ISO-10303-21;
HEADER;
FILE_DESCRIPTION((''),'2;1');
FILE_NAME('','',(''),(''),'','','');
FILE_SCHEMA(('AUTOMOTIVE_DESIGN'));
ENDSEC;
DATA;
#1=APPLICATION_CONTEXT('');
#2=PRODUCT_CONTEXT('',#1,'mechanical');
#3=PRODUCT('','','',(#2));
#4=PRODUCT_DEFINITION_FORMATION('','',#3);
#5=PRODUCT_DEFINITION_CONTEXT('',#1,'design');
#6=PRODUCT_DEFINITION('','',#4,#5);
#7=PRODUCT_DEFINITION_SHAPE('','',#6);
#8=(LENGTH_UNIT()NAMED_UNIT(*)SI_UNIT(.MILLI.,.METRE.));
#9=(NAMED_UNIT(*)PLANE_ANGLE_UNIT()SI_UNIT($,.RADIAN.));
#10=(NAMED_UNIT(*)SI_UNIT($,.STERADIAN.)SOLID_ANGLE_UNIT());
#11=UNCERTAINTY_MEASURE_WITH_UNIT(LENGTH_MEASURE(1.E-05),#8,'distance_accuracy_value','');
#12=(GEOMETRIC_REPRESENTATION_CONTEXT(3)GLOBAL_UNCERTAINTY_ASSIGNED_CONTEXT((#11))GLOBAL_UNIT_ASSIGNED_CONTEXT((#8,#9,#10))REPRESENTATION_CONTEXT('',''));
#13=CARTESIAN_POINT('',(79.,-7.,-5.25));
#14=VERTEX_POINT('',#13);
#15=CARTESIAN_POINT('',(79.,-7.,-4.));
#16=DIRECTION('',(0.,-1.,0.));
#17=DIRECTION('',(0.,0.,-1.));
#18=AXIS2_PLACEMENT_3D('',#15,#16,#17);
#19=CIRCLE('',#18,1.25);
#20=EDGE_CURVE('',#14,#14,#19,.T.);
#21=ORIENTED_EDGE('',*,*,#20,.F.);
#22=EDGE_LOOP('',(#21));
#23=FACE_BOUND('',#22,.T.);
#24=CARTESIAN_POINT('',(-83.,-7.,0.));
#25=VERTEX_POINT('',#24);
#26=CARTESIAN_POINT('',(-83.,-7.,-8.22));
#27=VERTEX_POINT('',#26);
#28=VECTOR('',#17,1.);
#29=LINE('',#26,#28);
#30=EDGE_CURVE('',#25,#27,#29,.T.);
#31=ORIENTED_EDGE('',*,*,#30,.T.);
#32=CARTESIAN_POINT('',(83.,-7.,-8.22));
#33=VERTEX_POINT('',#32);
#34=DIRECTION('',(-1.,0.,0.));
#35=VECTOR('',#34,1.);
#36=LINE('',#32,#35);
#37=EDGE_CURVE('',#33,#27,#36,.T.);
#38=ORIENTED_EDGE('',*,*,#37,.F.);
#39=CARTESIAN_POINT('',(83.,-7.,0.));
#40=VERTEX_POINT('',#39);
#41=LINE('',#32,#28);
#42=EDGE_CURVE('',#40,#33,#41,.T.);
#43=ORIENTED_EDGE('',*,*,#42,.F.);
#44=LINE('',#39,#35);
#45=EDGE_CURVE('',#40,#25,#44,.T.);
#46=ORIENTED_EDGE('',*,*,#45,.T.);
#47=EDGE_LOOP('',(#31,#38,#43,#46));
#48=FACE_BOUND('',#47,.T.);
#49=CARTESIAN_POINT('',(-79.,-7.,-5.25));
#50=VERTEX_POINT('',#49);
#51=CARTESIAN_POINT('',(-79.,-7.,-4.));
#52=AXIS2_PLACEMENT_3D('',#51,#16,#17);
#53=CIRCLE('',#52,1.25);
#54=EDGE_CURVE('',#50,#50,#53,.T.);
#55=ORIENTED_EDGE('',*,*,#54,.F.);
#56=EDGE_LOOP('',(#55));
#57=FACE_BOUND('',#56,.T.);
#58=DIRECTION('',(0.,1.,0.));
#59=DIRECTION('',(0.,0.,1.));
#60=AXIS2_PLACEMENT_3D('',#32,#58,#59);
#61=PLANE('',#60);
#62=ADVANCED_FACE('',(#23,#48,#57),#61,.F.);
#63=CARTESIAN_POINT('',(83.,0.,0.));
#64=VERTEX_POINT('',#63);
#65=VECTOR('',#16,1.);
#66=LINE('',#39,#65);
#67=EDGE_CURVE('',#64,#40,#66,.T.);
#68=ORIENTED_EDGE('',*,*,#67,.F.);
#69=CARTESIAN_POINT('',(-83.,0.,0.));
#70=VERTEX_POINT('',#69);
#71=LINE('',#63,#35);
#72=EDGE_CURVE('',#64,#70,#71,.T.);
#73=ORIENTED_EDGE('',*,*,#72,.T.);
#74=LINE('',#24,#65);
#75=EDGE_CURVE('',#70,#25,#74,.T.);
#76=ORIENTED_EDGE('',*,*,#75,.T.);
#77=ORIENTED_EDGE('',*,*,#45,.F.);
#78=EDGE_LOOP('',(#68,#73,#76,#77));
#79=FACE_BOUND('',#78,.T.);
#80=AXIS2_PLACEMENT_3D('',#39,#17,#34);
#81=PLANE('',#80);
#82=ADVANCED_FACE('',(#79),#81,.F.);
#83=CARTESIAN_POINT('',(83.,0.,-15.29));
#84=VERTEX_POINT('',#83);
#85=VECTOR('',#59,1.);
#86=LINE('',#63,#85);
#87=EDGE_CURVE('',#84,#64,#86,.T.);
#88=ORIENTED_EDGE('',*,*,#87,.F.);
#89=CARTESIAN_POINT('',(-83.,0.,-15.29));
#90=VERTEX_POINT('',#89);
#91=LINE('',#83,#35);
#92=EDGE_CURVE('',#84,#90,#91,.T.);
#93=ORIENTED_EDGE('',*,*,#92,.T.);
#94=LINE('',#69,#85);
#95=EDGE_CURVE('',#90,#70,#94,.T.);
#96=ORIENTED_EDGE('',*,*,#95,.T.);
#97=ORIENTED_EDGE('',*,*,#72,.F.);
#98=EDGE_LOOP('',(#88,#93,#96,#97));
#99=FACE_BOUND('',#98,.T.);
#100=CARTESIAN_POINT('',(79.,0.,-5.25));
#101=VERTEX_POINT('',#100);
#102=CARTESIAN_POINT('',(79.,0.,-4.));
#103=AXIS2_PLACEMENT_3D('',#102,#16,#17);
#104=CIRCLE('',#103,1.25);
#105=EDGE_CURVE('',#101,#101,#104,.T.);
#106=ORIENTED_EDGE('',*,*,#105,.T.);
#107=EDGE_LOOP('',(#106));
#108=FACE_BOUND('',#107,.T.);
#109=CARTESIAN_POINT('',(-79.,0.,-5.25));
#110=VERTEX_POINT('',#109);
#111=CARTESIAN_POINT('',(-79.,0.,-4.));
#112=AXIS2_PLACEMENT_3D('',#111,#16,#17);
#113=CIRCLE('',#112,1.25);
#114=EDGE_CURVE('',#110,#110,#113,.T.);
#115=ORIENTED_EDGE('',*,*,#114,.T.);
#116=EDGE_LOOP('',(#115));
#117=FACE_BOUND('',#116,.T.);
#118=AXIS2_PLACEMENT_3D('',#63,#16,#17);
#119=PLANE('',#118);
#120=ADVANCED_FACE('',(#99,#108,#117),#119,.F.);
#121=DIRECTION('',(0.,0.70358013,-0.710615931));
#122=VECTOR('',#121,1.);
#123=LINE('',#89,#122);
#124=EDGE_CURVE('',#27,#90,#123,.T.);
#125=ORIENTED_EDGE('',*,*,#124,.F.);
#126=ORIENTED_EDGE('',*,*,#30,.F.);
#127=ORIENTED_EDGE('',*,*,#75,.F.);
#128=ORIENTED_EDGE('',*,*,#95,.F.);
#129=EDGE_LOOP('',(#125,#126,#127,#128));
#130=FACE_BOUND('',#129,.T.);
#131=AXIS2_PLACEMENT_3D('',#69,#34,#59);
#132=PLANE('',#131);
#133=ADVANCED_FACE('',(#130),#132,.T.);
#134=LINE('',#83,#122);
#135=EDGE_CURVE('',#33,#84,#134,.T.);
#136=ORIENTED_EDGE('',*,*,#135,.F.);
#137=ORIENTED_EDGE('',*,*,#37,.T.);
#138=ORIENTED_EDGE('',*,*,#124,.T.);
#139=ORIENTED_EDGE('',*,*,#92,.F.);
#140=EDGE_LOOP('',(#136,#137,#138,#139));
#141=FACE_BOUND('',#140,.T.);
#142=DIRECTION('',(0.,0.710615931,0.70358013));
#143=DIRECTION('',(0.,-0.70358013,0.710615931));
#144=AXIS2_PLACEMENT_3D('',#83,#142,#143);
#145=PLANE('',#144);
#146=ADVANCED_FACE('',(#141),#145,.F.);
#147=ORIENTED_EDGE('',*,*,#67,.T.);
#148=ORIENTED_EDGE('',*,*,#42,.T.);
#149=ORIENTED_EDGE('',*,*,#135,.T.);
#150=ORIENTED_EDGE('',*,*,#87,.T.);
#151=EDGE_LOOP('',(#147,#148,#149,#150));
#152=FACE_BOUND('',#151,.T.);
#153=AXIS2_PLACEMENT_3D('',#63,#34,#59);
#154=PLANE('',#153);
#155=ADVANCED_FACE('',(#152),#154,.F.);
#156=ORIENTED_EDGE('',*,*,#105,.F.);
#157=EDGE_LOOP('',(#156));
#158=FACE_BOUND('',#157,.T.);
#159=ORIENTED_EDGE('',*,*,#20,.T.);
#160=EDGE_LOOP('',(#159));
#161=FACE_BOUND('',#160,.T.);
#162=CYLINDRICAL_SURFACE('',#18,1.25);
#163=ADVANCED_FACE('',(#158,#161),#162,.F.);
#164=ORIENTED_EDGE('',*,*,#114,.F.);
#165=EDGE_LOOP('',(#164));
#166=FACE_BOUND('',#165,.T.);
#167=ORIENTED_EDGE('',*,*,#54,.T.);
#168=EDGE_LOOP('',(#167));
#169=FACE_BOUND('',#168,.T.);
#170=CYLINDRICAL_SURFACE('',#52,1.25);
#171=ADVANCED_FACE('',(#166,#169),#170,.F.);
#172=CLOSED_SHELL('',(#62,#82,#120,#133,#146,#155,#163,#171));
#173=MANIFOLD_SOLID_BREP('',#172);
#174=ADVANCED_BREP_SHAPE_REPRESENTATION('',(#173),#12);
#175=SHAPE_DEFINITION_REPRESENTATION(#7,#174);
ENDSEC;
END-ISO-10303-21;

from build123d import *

# Parameters (mm, degrees)
BOSS_EXTRUDE1_DEPTH   = 83
M3X0_5_TAPPED_HOLE1_D = 2.5


with BuildPart() as part:
    # Sketch2 → Boss-Extrude1 (new body, symmetric)
    with BuildSketch(Plane(origin=(0, 0, 0), x_dir=(0, 0, -1), z_dir=(1, 0, 0))):
        Polygon((0, 0), (15.29, 0), (8.22, -7), (0, -7), align=None)
    extrude(amount=BOSS_EXTRUDE1_DEPTH, both=True)

    # M3x0.5 Tapped Hole1 (through all)
    with Locations(Plane(origin=(0, -7, 0), x_dir=(-1, 0, 0), z_dir=(0, -1, 0))):
        with Locations((79, 4), (-79, 4)):
            Hole(M3X0_5_TAPPED_HOLE1_D / 2)


solid = part.part
